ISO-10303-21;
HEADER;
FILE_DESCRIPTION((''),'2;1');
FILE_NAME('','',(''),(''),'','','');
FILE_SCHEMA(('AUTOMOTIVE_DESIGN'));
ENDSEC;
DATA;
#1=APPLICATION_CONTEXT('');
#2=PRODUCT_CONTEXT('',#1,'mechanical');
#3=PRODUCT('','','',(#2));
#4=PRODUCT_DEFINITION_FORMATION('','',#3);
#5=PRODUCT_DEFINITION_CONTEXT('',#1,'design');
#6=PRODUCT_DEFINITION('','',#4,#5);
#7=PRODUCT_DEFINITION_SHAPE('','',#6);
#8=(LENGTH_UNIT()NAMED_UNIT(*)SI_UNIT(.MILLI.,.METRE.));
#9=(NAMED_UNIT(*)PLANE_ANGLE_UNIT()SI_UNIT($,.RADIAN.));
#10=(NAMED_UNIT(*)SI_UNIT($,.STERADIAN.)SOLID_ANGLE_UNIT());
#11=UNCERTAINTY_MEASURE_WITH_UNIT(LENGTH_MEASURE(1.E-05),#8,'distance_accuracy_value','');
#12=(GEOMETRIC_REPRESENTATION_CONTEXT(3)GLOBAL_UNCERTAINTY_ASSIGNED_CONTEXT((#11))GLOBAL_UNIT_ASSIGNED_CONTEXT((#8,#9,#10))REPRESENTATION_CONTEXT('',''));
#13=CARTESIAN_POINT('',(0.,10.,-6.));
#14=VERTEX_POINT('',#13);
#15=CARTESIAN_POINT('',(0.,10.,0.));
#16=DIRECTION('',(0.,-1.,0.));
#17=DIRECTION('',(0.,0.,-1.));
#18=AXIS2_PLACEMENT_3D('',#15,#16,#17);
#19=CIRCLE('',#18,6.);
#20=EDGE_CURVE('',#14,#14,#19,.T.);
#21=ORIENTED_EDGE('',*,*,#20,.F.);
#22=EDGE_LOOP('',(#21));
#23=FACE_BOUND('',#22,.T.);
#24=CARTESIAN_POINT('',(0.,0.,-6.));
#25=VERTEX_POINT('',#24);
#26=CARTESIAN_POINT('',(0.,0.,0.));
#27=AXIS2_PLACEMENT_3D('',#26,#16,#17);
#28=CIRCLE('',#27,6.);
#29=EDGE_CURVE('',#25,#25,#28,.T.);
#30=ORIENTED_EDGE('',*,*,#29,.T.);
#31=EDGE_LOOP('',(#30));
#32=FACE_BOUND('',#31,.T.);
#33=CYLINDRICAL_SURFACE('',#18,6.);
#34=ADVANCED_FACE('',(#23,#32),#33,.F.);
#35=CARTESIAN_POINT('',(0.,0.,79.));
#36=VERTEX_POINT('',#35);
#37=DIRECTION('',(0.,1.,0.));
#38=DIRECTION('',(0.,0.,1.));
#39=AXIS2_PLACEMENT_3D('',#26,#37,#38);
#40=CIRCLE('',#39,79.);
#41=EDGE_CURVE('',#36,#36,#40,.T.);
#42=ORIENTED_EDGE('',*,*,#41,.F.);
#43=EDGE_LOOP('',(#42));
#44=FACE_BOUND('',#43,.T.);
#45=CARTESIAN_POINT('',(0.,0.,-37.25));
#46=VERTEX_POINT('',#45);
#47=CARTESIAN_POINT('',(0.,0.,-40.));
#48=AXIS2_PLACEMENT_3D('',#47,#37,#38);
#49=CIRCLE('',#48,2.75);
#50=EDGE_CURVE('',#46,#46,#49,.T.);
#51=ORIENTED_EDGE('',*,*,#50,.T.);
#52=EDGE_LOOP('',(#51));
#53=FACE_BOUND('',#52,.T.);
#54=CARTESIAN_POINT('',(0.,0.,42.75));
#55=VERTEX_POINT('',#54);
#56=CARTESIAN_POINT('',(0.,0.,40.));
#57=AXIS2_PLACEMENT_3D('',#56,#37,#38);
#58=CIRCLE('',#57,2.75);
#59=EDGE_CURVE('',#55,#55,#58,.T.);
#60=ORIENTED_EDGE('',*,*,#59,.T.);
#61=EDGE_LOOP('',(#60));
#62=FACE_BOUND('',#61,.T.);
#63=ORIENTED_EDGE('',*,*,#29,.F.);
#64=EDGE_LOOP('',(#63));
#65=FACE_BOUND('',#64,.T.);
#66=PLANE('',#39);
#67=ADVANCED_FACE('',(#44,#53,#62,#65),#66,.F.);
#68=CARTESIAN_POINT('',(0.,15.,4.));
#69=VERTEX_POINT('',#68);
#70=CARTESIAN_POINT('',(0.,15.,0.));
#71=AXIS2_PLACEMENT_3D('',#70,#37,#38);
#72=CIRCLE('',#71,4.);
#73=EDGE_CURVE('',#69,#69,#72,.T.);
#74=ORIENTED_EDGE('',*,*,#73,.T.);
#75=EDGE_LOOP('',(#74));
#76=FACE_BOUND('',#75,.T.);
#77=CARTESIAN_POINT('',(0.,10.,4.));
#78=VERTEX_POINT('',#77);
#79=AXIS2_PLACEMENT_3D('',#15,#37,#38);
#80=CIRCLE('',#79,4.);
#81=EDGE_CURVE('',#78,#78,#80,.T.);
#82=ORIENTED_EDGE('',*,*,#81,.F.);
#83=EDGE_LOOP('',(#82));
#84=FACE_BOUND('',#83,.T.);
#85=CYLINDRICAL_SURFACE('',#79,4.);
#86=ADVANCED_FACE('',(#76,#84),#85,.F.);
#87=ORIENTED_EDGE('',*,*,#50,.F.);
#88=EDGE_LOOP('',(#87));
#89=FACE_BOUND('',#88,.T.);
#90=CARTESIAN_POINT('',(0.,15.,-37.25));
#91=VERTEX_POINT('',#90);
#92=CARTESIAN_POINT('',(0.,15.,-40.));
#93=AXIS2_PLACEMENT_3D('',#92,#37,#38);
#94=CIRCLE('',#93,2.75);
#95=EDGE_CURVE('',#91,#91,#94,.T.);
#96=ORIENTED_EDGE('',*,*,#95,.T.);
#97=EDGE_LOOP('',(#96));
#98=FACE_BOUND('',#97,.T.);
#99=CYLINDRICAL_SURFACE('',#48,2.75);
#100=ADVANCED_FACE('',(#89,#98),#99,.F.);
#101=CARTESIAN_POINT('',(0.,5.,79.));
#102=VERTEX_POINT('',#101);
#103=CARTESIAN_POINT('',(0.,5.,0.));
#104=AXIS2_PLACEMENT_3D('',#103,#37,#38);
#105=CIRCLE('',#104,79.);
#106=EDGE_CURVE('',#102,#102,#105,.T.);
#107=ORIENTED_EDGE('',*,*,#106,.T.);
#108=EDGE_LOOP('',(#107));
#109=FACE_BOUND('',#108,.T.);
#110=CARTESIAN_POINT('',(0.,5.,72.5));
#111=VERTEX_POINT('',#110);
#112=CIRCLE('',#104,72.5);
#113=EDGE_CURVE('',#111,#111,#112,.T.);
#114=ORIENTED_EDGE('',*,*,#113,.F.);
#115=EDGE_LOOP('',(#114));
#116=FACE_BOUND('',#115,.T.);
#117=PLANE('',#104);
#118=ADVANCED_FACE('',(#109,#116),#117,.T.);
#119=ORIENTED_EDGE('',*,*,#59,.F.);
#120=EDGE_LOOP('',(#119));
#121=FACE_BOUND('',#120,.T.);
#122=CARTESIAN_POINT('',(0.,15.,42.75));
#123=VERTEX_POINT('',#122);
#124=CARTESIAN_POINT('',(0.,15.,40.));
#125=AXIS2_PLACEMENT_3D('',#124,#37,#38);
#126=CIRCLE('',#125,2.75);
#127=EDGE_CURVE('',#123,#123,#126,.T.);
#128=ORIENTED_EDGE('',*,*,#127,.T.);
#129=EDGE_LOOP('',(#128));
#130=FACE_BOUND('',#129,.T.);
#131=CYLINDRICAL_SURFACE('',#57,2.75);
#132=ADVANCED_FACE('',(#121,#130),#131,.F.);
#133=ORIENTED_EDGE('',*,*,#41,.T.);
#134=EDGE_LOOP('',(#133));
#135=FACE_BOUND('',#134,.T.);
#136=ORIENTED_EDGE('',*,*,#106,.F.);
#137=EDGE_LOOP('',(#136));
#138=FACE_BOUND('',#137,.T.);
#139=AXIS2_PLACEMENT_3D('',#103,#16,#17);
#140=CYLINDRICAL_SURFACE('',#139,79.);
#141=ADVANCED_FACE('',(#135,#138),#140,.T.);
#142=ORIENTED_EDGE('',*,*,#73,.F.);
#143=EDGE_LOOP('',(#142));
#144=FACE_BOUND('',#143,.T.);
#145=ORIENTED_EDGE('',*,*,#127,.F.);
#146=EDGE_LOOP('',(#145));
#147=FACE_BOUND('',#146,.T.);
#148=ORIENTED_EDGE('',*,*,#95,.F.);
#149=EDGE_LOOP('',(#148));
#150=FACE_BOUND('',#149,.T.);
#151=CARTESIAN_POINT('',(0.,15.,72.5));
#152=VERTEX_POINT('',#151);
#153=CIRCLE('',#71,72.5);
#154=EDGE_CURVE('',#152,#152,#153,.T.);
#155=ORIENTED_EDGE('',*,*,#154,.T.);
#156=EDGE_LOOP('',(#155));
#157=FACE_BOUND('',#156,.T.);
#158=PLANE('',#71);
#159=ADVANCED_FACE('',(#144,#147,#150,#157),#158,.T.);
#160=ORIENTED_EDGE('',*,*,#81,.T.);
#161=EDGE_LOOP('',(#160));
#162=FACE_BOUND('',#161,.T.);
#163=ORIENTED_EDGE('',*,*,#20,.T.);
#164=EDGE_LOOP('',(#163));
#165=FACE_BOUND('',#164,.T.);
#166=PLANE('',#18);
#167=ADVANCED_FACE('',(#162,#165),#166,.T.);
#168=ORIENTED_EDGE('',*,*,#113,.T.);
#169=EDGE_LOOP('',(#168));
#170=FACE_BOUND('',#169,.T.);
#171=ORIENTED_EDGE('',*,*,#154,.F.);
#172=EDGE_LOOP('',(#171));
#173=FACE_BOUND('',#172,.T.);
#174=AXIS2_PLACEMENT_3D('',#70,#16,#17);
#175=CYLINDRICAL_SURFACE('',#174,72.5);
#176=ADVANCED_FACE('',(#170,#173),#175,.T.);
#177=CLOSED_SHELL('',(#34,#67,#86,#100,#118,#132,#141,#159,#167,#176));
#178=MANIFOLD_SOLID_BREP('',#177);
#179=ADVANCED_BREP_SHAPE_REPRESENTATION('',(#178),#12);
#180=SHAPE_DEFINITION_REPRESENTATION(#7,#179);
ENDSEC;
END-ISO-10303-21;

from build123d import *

# Parameters (mm, degrees)
SKETCH1_R           = 79
BOSS_EXTRUDE1_DEPTH = 5
SKETCH2_R           = 72.5
BOSS_EXTRUDE2_DEPTH = 10
SKETCH3_R           = 2.75
CUT_EXTRUDE1_DEPTH  = 113.725329895
SKETCH4_R           = 4
CUT_EXTRUDE2_DEPTH  = 5
SKETCH5_R           = 6
CUT_EXTRUDE3_DEPTH  = 10


with BuildPart() as part:
    # Sketch1 → Boss-Extrude1 (new body)
    with BuildSketch(Plane(origin=(0, 0, 0), x_dir=(1, 0, 0), z_dir=(0, 1, 0))):
        with Locations(Location((0, 0, 0), (0, 0, 270))):
            Circle(SKETCH1_R)
    extrude(amount=BOSS_EXTRUDE1_DEPTH)

    # Sketch2 → Boss-Extrude2 (add)
    with BuildSketch(Plane(origin=(0, 5, 0), x_dir=(1, 0, 0), z_dir=(0, 1, 0))):
        with Locations(Location((0, 0, 0), (0, 0, 270))):
            Circle(SKETCH2_R)
    extrude(amount=BOSS_EXTRUDE2_DEPTH)

    # Sketch3 → Cut-Extrude1 (cut, through all)
    with BuildSketch(Plane(origin=(0, 15, 0), x_dir=(1, 0, 0), z_dir=(0, 1, 0))):
        with Locations(Location((0, 40, 0), (0, 0, 270))):
            Circle(SKETCH3_R)
        with Locations(Location((0, -40, 0), (0, 0, 270))):
            Circle(SKETCH3_R)
    extrude(amount=-CUT_EXTRUDE1_DEPTH, mode=Mode.SUBTRACT)

    # Sketch4 → Cut-Extrude2 (cut)
    with BuildSketch(Plane(origin=(0, 15, 0), x_dir=(1, 0, 0), z_dir=(0, 1, 0))):
        with Locations(Location((0, 0, 0), (0, 0, 270))):
            Circle(SKETCH4_R)
    extrude(amount=-CUT_EXTRUDE2_DEPTH, mode=Mode.SUBTRACT)

    # Sketch5 → Cut-Extrude3 (cut)
    with BuildSketch(Plane.XZ):
        with Locations(Location((0, 0, 0), (0, 0, 270))):
            Circle(SKETCH5_R)
    extrude(amount=-CUT_EXTRUDE3_DEPTH, mode=Mode.SUBTRACT)


solid = part.part
